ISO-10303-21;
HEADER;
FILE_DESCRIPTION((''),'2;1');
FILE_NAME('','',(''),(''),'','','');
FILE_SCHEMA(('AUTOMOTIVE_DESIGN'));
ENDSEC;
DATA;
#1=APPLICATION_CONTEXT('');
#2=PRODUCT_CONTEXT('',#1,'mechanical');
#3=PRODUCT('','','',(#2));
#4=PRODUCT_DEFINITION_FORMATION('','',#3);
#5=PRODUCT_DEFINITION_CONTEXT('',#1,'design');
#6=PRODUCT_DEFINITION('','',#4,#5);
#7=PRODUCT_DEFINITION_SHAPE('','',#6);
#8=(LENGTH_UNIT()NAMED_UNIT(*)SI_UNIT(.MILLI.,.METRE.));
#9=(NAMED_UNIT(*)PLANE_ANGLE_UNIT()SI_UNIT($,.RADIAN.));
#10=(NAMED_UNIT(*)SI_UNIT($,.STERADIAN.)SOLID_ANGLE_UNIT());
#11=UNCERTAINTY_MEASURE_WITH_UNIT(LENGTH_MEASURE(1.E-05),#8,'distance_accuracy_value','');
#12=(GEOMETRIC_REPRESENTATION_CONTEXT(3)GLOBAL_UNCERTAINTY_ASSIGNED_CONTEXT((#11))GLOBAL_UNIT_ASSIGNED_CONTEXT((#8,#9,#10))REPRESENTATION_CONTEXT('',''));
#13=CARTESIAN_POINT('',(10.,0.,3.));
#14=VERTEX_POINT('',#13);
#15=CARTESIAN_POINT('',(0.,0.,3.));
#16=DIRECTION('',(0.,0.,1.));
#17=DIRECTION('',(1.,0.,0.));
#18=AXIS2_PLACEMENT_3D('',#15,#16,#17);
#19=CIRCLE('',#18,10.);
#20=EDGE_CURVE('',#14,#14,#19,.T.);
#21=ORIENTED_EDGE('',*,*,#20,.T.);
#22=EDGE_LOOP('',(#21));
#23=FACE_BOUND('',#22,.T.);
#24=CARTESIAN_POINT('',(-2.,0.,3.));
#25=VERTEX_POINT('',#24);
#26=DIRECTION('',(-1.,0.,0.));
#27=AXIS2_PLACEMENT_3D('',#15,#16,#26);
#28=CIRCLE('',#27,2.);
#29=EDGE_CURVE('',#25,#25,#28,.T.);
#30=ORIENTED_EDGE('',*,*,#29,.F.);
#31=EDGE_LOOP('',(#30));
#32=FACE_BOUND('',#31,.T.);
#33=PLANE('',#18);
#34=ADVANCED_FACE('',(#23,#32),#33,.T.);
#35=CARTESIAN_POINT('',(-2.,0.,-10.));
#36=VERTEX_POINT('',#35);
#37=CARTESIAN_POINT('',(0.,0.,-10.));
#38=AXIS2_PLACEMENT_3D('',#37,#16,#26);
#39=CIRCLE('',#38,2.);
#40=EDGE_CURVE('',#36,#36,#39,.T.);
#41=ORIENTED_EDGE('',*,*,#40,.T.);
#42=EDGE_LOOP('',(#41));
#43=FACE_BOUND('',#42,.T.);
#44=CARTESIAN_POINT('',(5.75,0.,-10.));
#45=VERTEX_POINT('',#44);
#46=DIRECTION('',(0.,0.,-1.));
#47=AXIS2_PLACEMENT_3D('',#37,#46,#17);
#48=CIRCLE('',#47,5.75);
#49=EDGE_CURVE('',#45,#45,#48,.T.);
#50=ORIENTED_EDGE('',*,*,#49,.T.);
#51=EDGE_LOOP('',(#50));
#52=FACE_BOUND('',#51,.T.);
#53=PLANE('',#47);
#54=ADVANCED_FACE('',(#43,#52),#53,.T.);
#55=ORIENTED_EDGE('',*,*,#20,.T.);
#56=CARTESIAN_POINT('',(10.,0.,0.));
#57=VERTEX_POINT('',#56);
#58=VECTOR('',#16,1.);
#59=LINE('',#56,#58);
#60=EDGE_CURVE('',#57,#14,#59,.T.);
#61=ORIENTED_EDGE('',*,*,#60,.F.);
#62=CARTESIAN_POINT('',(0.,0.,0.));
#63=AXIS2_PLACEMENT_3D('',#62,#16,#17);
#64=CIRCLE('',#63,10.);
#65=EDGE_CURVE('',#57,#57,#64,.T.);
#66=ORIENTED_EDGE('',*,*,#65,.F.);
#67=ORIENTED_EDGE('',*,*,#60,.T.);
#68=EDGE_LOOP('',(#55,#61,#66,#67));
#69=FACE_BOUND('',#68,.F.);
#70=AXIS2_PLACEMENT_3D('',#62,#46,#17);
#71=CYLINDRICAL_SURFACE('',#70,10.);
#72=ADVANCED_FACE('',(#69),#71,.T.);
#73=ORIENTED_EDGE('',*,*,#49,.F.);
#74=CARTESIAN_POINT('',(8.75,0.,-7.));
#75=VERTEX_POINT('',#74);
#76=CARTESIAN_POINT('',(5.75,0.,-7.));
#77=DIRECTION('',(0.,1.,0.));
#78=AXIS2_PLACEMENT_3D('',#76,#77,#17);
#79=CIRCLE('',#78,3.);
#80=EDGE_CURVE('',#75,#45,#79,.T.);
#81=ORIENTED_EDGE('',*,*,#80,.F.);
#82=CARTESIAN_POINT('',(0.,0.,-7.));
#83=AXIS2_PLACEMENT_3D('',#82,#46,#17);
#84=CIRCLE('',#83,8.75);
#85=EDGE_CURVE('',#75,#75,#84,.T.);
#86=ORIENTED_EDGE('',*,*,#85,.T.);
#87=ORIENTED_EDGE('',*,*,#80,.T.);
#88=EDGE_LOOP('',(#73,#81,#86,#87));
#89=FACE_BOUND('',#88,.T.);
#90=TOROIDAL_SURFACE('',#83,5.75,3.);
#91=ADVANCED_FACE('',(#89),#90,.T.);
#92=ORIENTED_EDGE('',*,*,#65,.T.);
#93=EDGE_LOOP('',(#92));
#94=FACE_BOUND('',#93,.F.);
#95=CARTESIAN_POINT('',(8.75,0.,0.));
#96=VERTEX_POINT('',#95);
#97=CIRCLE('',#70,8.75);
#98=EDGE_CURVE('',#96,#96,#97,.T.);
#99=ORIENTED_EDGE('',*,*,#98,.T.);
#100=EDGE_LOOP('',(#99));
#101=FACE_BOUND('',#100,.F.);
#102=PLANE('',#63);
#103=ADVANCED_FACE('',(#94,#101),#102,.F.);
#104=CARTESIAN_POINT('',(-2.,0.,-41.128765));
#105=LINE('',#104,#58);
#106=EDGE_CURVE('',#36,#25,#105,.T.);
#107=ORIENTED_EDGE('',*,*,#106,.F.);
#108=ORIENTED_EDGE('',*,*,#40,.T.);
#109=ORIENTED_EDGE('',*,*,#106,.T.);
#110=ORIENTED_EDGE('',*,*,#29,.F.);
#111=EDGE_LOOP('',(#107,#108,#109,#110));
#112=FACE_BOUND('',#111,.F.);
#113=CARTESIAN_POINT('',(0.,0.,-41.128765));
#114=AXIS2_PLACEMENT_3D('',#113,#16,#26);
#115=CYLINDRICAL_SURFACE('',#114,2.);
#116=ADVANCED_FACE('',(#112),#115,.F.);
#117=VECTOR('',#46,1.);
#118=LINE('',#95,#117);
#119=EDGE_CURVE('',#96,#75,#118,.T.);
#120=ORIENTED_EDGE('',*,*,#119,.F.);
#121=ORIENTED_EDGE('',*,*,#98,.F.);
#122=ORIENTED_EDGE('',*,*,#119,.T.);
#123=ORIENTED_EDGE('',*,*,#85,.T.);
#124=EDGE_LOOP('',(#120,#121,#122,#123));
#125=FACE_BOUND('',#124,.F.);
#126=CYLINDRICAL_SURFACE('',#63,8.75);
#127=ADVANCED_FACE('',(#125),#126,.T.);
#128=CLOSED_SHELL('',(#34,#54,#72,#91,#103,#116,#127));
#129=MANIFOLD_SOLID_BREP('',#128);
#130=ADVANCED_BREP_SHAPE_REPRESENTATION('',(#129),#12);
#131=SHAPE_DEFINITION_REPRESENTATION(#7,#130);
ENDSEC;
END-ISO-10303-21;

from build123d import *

# Parameters (mm, degrees)
F0_R     = 10
F1_DEPTH = 3
F2_R     = 8.75
F3_DEPTH = 10
F4_R     = 3
F6_D     = 4


with BuildPart() as f1:
    # F0 (on Top) → F1 (new body)
    with BuildSketch(Plane.XY):
        Circle(F0_R)
    extrude(amount=F1_DEPTH)

    # F2 (on face) → F3 (join)
    with BuildSketch(Plane(origin=(0, 0, 0), x_dir=(1, 0, 0), z_dir=(0, 0, -1))):
        Circle(F2_R)
    extrude(amount=F3_DEPTH)

    # F4
    f4_edges = [f1.edges().sort_by_distance(p)[0] for p in [
        (-8.75, 0, -10),
    ]]
    fillet(f4_edges, radius=F4_R)

    # F6 (through all)
    with Locations(Plane(origin=(0, 0, -10), x_dir=(1, 0, 0), z_dir=(0, 0, -1))):
        with Locations((0, 0)):
            Hole(F6_D / 2)


solid = f1.part
